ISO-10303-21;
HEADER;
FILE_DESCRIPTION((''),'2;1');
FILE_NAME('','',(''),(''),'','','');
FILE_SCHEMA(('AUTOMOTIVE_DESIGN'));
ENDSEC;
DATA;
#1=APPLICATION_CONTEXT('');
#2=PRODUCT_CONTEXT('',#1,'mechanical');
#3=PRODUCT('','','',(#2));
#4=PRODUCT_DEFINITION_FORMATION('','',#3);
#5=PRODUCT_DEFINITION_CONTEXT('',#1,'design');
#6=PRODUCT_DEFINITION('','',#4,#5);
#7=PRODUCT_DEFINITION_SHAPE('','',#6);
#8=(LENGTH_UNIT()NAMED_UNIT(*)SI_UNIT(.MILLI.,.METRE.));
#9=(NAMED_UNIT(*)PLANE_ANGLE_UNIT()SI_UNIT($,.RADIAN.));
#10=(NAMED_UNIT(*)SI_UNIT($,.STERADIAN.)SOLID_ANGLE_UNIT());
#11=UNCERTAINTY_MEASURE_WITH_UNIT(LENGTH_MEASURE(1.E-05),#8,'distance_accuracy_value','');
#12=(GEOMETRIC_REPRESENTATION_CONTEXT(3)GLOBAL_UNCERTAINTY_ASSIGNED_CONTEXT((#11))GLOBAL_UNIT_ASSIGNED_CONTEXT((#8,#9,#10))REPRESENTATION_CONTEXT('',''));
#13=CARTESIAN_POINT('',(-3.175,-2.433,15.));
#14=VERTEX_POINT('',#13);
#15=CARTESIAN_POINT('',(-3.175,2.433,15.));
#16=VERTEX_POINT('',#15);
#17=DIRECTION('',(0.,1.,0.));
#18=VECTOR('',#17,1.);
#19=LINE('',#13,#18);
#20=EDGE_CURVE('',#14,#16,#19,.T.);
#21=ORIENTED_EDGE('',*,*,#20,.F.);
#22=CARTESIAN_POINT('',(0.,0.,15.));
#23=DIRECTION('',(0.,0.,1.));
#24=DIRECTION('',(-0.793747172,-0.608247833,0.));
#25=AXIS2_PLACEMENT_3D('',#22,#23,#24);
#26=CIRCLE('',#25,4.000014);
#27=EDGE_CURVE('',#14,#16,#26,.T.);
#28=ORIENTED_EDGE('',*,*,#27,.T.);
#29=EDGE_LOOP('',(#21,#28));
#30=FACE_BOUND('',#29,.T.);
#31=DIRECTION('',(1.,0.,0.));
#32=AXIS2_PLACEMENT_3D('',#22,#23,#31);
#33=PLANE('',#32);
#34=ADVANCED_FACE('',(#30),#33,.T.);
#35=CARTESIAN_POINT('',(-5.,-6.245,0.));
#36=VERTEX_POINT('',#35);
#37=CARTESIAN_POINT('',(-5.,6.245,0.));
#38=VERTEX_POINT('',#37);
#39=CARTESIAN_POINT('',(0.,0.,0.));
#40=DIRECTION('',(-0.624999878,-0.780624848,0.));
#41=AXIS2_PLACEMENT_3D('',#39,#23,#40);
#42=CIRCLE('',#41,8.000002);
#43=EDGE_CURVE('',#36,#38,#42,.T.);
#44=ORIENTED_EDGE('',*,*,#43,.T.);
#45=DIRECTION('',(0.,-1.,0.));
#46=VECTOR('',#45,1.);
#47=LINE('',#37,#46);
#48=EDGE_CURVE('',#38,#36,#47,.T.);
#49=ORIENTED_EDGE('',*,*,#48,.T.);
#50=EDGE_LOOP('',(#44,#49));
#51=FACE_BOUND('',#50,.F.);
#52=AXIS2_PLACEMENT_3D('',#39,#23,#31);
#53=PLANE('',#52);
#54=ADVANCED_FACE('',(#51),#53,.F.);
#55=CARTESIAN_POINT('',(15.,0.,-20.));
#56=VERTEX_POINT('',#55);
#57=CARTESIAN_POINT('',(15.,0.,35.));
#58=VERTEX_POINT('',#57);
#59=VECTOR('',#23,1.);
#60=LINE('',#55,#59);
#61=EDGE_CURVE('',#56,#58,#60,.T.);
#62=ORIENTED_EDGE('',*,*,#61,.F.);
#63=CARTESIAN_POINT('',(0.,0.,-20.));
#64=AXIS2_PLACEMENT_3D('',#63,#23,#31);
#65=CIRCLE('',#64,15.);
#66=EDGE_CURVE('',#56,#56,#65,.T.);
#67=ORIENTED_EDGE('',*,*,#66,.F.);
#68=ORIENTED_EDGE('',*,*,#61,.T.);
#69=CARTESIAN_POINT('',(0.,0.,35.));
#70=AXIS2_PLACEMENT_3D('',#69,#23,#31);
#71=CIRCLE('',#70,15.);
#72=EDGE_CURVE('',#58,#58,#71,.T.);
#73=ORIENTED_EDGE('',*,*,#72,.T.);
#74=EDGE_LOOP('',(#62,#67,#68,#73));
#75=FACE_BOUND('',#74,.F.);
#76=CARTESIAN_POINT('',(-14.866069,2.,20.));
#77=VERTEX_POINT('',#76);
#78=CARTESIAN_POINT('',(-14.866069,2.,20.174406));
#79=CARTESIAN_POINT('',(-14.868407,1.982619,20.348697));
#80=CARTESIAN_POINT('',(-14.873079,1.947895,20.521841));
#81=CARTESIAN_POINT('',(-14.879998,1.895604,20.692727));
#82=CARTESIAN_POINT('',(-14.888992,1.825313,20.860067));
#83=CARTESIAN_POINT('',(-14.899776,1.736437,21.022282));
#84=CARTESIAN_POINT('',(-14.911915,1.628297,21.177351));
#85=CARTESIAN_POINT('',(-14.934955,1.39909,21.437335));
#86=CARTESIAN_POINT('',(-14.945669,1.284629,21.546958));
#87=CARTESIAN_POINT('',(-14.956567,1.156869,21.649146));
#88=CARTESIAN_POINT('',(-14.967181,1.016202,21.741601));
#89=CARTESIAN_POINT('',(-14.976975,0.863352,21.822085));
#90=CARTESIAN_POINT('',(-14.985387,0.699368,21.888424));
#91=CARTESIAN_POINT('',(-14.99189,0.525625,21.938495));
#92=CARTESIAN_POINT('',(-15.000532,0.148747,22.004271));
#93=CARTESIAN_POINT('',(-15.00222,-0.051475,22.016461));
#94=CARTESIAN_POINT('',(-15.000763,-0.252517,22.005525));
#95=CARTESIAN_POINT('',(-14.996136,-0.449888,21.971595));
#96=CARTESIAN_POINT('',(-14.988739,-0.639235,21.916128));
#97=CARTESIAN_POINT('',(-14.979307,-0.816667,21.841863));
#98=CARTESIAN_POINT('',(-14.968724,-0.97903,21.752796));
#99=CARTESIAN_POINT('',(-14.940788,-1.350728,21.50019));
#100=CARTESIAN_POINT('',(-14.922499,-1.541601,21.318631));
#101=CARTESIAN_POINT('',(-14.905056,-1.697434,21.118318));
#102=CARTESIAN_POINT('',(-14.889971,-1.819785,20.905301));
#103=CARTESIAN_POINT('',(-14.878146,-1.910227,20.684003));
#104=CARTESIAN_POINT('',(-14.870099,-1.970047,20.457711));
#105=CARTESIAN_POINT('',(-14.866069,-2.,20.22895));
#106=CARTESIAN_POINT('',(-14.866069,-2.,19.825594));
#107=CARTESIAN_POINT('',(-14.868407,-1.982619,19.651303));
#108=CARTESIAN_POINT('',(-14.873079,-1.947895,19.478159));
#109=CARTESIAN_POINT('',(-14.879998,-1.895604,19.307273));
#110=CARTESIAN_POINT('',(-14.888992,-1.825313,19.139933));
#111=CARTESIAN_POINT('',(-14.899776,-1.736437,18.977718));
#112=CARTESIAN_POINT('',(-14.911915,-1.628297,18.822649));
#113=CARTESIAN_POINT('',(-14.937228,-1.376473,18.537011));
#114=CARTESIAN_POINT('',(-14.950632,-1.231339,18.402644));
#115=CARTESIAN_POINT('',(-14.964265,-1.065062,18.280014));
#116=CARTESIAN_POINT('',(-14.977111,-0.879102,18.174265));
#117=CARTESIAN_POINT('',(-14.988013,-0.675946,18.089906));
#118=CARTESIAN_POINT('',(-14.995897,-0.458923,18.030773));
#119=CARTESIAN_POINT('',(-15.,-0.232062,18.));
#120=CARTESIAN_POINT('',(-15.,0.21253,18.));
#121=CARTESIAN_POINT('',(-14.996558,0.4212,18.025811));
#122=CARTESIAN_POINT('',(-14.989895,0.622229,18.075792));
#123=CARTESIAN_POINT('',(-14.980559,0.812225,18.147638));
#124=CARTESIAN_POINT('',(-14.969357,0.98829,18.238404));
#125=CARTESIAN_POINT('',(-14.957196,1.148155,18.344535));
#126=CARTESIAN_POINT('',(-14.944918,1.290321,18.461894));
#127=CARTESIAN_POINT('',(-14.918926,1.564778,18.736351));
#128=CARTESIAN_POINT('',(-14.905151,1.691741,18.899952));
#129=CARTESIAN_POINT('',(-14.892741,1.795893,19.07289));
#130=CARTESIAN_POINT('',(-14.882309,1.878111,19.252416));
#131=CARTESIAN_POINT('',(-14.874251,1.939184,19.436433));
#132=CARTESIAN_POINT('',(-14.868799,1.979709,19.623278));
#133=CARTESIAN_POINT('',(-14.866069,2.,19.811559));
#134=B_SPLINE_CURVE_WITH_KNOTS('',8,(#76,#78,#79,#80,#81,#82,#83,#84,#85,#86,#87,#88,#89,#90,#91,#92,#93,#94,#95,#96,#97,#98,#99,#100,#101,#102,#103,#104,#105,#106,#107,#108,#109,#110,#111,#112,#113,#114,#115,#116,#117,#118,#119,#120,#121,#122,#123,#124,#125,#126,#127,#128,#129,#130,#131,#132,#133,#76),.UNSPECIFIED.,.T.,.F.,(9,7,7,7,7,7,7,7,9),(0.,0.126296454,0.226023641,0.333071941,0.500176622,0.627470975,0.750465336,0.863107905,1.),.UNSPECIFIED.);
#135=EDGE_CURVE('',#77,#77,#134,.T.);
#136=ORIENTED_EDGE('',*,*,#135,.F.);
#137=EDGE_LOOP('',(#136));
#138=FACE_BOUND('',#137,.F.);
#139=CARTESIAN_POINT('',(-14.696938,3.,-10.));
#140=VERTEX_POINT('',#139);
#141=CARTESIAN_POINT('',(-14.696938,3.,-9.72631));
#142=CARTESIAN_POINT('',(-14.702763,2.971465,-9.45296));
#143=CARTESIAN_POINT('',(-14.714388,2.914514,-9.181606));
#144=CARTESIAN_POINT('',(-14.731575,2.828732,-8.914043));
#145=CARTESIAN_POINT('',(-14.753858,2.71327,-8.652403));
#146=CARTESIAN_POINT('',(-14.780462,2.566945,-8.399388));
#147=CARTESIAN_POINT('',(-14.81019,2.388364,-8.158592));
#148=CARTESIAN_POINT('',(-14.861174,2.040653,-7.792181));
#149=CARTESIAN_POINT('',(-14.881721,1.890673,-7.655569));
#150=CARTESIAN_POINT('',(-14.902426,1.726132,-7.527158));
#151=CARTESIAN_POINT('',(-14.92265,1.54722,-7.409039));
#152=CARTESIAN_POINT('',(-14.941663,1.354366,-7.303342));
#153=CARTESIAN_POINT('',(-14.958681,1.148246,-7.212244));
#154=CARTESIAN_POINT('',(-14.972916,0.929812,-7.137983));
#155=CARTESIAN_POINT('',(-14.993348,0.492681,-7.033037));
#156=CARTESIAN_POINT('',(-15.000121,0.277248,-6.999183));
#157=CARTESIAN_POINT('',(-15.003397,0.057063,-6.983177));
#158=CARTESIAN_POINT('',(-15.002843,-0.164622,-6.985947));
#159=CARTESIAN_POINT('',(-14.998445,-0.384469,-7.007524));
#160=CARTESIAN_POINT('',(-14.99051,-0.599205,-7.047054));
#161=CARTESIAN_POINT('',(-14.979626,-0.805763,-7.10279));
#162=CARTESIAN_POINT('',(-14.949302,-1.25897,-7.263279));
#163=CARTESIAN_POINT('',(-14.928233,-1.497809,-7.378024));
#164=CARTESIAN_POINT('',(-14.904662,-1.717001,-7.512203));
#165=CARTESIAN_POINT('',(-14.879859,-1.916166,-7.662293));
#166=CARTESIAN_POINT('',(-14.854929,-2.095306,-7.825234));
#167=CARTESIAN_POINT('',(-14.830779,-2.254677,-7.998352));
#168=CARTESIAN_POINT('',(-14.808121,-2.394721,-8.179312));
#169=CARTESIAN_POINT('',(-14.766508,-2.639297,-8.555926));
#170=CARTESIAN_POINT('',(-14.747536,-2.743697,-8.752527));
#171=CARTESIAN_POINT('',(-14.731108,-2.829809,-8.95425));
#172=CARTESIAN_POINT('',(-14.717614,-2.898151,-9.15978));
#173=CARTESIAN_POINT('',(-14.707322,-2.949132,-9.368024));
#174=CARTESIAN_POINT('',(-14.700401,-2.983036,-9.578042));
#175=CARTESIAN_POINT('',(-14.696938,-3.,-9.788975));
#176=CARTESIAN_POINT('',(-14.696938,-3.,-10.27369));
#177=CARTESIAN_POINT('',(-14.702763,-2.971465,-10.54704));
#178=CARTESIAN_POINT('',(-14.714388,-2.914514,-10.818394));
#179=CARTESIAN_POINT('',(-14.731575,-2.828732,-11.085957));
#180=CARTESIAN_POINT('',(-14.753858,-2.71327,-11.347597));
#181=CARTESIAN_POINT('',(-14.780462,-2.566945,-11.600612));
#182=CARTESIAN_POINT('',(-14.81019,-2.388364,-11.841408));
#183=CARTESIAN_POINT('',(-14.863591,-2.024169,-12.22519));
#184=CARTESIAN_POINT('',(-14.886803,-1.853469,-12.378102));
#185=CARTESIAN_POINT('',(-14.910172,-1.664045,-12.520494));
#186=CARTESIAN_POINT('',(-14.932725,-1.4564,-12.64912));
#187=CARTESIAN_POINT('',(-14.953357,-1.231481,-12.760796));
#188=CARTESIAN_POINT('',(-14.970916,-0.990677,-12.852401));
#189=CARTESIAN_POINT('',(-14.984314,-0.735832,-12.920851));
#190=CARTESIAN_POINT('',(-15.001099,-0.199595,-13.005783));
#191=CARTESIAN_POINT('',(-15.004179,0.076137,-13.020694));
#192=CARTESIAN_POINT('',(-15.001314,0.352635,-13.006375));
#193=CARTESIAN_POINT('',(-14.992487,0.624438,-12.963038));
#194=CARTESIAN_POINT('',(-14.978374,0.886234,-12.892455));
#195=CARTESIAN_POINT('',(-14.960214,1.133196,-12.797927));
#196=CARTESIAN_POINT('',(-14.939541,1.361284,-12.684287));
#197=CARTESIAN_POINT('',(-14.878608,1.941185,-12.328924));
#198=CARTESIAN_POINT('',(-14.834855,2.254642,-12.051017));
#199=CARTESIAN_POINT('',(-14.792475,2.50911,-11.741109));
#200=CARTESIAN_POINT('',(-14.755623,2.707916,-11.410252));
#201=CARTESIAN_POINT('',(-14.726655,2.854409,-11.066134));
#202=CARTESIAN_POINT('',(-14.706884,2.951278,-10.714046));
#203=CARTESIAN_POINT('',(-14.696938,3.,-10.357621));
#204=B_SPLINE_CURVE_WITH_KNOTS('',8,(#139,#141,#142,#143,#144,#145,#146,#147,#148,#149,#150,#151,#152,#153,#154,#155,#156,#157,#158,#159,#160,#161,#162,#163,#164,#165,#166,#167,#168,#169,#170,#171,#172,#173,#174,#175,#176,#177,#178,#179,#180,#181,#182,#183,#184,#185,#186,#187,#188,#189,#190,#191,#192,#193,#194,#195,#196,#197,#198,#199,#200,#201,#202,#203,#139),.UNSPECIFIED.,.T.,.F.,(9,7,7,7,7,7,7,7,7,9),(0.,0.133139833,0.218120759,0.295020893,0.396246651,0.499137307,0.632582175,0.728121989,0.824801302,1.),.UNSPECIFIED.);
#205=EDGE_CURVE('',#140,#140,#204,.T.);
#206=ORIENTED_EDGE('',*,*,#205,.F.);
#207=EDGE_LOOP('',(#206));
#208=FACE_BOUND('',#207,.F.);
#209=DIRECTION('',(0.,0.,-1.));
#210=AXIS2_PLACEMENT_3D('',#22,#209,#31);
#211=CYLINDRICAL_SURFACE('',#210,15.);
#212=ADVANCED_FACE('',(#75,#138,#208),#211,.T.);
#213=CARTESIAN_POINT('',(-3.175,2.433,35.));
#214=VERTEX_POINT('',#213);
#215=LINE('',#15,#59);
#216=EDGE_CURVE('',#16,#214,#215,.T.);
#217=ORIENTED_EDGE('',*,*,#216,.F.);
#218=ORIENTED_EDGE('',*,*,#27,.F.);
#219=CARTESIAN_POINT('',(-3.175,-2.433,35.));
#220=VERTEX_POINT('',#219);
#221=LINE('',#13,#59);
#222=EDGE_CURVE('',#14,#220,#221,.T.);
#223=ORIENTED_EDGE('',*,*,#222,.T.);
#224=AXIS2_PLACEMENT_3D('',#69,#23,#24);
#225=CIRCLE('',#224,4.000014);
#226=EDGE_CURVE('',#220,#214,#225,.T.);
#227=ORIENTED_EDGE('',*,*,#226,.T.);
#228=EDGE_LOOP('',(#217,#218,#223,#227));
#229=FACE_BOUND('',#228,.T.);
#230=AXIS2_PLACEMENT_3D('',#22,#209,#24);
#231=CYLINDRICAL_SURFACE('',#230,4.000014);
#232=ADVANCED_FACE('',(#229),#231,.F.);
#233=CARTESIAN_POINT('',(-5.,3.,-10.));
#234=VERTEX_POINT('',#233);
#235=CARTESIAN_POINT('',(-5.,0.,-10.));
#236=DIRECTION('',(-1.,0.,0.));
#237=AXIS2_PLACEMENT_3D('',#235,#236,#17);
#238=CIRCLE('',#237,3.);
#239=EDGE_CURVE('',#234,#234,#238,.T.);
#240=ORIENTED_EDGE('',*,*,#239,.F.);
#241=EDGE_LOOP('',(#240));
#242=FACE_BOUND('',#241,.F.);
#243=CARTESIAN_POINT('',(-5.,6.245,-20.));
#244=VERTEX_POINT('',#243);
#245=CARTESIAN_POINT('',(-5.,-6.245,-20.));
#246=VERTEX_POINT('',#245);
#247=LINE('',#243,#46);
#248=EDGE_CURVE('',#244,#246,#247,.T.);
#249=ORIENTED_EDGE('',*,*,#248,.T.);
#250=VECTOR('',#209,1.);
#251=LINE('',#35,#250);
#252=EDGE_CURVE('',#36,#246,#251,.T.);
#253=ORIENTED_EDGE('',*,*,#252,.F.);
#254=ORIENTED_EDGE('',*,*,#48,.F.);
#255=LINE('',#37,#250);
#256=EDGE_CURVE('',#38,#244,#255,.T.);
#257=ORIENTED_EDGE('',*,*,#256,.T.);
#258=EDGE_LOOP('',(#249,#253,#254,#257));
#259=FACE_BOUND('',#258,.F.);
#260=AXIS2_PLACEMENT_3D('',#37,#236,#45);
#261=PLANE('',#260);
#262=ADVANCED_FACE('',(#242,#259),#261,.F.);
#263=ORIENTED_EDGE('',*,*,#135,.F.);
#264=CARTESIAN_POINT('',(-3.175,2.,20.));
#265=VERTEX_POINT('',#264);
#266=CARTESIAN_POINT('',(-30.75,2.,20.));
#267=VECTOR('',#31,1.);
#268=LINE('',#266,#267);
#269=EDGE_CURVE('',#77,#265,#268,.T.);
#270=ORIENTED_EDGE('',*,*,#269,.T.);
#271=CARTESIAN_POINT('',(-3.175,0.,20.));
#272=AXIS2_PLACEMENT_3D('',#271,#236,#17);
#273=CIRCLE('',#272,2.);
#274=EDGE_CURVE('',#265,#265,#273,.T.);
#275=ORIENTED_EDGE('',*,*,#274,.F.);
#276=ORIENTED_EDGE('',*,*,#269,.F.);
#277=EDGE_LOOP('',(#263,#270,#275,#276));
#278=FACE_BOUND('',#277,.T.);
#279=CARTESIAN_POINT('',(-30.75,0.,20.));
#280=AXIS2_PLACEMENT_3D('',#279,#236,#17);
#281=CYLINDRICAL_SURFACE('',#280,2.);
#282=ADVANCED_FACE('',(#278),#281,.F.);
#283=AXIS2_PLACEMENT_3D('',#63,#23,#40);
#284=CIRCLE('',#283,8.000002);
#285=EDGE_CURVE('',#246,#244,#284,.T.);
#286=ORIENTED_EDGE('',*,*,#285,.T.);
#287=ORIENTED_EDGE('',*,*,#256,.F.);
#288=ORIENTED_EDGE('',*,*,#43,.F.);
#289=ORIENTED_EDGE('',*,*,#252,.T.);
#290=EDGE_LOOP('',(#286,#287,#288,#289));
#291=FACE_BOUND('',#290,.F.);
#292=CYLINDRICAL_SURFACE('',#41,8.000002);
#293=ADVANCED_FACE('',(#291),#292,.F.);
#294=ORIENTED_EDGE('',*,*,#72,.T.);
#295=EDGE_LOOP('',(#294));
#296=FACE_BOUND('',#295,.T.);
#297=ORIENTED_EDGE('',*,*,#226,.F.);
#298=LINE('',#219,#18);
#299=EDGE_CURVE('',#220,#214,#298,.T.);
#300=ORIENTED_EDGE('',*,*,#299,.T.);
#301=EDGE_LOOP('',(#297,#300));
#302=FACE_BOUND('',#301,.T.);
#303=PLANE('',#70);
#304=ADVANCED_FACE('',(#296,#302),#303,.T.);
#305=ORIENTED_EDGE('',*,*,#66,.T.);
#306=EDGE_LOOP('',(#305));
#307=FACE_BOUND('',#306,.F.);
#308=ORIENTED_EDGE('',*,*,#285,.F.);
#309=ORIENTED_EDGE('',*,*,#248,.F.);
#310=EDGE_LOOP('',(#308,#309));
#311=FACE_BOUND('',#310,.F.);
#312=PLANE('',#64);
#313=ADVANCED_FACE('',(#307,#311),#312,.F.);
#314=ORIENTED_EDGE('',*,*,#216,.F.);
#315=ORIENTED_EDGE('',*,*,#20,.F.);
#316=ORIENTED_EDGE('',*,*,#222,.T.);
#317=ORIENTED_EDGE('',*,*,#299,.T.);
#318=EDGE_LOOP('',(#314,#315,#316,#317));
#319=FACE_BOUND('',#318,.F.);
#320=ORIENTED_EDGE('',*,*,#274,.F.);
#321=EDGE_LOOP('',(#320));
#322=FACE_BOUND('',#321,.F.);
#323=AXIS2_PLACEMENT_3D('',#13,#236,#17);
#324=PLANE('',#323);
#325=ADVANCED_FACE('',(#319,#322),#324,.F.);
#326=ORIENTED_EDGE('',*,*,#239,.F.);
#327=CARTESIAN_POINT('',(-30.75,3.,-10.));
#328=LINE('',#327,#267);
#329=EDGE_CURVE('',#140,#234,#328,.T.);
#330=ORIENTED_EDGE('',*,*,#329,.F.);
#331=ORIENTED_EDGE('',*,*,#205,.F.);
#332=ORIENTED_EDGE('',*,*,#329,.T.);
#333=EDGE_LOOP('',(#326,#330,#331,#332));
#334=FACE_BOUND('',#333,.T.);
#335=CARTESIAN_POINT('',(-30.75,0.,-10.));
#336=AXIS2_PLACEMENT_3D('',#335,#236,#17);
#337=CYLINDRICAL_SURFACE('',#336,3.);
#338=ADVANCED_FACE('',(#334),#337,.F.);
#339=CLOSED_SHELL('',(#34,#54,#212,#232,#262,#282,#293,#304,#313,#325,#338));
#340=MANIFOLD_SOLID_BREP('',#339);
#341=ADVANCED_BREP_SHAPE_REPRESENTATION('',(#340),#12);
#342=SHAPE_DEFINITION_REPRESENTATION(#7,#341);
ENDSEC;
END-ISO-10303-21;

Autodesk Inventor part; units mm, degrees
ref_plane "XZ Plane" through (0, 0, 0) normal (0, 1, 0) x (-1, 0, 0)
ref_plane "XY Plane" through (0, 0, 0) normal (0, 0, 1) x (1, 0, 0)
sketch "Sketch1" plane through (0, 0, 0) normal (0, 0, 1) x (1, 0, 0)
  line L0 (-5, 6.245) -> (-5, -6.245) projected
  arc A0 (-5, -6.245) -> (-5, 6.245) centre (0, 0) ccw projected
  circle A1 centre (0, 0) radius 15
  dimension "d0" = 30
extrude "Extrusion1" add sketch "Sketch1" against normal blind 20
sketch "Sketch2" plane through (0, 0, 0) normal (0, 0, 1) x (1, 0, 0)
  circle A0 centre (0, 0) radius 15 projected
extrude "Extrusion2" add sketch "Sketch2" along normal blind 15
sketch "Sketch3" plane through (0, 0, 15) normal (0, 0, 1) x (1, 0, 0)
  line L0 (-3.175, -2.433) -> (-3.175, 2.433) projected
  arc A0 (-3.175, -2.433) -> (-3.175, 2.433) centre (0, 0) ccw projected
  circle A1 centre (0, 0) radius 15 projected
extrude "Extrusion3" add sketch "Sketch3" along normal blind 20
ref_plane "Work Plane1" through (-30.75, 0, 0) normal (1, 0, 0) x (0, 1, 0)
sketch "Sketch4" plane through (-30.75, 0, 0) normal (1, 0, 0) x (0, 1, 0)
  line L0 (15, 35) -> (-15, 35) projected
  line L1 (-15, -20) -> (15, -20) projected
  line L2 (-15, 35) -> (-15, -20) projected
  line L3 (15, 35) -> (15, -20) projected
  circle A0 centre (0, -10) radius 3
  circle A1 centre (0, 20) radius 2
  point P0 (0, 0)
  dimension "d8" = 4
  dimension "d9" = 6
  dimension "d10" = 10
  dimension "d11" = 15
extrude "Extrusion4" cut sketch "Sketch4" along normal up to surface (30.75 mm away) contours A0 | A1
thread "Thread1" size "M6x1" class "6H" standard "ANSI Metric M Profile" length 60
thread "Thread2" size "M4x0.7" class "6H" standard "ANSI Metric M Profile" length 60
properties part number "ballscrew coupler" material "Steel, Mild"
